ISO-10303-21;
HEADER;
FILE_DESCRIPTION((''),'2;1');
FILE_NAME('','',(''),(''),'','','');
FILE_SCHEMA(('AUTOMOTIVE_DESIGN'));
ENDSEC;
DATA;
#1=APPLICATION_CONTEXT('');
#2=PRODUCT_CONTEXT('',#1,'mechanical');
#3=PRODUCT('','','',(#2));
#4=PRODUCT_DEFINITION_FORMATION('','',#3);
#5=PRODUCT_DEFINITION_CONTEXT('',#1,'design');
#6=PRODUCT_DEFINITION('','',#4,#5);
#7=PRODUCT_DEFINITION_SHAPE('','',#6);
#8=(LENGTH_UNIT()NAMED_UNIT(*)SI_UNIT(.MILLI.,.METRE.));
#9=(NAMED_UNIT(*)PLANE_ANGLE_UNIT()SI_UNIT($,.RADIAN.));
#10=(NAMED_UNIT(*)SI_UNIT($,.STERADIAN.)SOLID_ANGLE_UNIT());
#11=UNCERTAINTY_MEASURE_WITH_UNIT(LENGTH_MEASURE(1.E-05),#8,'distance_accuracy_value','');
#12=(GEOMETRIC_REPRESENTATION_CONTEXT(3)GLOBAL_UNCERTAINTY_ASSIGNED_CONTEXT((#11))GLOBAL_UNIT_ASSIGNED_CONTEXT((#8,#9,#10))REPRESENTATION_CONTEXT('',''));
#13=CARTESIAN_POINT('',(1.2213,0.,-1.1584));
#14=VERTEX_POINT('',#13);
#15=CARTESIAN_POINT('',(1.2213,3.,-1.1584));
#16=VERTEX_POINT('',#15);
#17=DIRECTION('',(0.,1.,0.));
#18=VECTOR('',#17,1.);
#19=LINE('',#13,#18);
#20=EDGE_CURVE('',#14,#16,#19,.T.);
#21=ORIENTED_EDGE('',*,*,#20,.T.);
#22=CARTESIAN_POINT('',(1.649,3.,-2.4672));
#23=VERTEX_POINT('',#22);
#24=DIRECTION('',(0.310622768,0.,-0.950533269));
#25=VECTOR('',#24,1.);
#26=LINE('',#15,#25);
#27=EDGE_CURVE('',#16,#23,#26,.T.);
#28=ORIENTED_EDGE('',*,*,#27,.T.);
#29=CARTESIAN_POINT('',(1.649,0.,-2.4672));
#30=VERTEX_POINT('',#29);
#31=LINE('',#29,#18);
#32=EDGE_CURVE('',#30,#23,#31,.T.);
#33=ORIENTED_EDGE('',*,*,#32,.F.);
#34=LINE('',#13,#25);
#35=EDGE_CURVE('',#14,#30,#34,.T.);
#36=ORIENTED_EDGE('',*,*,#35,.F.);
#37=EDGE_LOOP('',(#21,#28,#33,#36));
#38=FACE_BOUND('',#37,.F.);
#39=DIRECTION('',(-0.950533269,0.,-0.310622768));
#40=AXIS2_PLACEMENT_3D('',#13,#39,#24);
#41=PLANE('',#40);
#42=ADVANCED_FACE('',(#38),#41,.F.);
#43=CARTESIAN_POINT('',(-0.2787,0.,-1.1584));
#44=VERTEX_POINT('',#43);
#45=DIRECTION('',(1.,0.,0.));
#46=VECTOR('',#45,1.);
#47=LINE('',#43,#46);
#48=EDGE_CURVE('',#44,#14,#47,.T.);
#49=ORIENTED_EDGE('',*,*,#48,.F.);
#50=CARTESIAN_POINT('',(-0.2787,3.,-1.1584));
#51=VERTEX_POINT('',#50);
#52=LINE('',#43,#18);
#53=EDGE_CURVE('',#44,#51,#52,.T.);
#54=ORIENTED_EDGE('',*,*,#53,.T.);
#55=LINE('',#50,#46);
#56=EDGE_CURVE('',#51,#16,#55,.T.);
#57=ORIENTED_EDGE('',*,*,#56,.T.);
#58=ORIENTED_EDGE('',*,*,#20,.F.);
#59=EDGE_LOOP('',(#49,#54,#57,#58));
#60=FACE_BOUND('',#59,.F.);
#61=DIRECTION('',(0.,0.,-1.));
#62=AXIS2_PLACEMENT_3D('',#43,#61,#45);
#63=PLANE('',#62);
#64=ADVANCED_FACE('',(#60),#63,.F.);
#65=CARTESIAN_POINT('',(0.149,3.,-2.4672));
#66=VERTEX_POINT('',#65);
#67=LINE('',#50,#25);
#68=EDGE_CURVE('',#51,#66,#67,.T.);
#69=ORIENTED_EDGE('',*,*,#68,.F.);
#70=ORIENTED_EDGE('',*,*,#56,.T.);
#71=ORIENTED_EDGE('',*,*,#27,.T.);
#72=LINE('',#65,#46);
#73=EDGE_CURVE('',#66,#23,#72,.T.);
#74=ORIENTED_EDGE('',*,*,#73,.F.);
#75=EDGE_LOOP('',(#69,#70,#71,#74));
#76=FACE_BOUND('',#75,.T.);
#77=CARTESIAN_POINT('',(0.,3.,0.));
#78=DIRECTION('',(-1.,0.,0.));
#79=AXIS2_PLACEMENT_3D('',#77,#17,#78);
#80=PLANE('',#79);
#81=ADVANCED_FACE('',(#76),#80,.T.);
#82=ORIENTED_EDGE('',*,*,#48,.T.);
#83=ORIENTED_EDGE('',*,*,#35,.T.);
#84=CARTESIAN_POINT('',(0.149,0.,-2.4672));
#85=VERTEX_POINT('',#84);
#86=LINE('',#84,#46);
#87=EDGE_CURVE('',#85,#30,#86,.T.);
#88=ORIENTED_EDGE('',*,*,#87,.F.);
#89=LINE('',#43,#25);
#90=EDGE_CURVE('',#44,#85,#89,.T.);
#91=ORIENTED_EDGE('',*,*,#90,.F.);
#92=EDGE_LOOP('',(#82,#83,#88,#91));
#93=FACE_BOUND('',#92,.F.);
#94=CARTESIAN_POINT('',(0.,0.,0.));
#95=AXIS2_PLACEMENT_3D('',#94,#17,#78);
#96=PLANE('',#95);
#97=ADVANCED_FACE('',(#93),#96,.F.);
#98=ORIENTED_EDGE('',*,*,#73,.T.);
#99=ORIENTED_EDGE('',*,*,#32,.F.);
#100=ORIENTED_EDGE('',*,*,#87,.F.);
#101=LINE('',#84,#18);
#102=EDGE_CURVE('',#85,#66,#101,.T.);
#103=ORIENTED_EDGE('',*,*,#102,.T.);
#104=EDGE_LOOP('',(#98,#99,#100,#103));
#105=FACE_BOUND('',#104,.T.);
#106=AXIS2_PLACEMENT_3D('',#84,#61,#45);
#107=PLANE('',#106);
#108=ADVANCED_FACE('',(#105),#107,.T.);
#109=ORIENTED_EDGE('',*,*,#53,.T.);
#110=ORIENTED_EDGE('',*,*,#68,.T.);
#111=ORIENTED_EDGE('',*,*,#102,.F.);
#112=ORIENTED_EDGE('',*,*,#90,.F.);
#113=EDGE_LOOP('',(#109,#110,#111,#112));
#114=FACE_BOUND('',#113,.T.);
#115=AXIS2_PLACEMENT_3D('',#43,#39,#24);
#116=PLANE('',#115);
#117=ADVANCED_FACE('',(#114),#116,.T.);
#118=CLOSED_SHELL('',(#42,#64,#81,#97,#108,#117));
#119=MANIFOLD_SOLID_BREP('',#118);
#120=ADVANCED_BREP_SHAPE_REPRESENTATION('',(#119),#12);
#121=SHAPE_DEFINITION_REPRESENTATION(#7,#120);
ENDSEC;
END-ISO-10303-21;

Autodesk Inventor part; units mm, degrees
ref_plane "YZ Plane" through (0, 0, 0) normal (1, 0, 0) x (0, 1, 0)
ref_plane "XZ Plane" through (0, 0, 0) normal (0, 1, 0) x (-1, 0, 0)
ref_plane "XY Plane" through (0, 0, 0) normal (0, 0, 1) x (1, 0, 0)
sketch "Sketch4" plane through (0, 0, 0) normal (0, 1, 0) x (-1, 0, 0)
  line L0 (0.2787, -1.1584) -> (-1.2213, -1.1584)
  line L1 (-0.149, -2.4672) -> (-1.649, -2.4672)
  line L2 (0.2787, -1.1584) -> (-0.149, -2.4672)
  line L3 (-1.2213, -1.1584) -> (-1.649, -2.4672)
  point P0 (0, 0)
  dimension "d11" = 1.5
extrude "Extrusion4" add sketch "Sketch4" along normal blind 3
properties part number "rotation 2"
